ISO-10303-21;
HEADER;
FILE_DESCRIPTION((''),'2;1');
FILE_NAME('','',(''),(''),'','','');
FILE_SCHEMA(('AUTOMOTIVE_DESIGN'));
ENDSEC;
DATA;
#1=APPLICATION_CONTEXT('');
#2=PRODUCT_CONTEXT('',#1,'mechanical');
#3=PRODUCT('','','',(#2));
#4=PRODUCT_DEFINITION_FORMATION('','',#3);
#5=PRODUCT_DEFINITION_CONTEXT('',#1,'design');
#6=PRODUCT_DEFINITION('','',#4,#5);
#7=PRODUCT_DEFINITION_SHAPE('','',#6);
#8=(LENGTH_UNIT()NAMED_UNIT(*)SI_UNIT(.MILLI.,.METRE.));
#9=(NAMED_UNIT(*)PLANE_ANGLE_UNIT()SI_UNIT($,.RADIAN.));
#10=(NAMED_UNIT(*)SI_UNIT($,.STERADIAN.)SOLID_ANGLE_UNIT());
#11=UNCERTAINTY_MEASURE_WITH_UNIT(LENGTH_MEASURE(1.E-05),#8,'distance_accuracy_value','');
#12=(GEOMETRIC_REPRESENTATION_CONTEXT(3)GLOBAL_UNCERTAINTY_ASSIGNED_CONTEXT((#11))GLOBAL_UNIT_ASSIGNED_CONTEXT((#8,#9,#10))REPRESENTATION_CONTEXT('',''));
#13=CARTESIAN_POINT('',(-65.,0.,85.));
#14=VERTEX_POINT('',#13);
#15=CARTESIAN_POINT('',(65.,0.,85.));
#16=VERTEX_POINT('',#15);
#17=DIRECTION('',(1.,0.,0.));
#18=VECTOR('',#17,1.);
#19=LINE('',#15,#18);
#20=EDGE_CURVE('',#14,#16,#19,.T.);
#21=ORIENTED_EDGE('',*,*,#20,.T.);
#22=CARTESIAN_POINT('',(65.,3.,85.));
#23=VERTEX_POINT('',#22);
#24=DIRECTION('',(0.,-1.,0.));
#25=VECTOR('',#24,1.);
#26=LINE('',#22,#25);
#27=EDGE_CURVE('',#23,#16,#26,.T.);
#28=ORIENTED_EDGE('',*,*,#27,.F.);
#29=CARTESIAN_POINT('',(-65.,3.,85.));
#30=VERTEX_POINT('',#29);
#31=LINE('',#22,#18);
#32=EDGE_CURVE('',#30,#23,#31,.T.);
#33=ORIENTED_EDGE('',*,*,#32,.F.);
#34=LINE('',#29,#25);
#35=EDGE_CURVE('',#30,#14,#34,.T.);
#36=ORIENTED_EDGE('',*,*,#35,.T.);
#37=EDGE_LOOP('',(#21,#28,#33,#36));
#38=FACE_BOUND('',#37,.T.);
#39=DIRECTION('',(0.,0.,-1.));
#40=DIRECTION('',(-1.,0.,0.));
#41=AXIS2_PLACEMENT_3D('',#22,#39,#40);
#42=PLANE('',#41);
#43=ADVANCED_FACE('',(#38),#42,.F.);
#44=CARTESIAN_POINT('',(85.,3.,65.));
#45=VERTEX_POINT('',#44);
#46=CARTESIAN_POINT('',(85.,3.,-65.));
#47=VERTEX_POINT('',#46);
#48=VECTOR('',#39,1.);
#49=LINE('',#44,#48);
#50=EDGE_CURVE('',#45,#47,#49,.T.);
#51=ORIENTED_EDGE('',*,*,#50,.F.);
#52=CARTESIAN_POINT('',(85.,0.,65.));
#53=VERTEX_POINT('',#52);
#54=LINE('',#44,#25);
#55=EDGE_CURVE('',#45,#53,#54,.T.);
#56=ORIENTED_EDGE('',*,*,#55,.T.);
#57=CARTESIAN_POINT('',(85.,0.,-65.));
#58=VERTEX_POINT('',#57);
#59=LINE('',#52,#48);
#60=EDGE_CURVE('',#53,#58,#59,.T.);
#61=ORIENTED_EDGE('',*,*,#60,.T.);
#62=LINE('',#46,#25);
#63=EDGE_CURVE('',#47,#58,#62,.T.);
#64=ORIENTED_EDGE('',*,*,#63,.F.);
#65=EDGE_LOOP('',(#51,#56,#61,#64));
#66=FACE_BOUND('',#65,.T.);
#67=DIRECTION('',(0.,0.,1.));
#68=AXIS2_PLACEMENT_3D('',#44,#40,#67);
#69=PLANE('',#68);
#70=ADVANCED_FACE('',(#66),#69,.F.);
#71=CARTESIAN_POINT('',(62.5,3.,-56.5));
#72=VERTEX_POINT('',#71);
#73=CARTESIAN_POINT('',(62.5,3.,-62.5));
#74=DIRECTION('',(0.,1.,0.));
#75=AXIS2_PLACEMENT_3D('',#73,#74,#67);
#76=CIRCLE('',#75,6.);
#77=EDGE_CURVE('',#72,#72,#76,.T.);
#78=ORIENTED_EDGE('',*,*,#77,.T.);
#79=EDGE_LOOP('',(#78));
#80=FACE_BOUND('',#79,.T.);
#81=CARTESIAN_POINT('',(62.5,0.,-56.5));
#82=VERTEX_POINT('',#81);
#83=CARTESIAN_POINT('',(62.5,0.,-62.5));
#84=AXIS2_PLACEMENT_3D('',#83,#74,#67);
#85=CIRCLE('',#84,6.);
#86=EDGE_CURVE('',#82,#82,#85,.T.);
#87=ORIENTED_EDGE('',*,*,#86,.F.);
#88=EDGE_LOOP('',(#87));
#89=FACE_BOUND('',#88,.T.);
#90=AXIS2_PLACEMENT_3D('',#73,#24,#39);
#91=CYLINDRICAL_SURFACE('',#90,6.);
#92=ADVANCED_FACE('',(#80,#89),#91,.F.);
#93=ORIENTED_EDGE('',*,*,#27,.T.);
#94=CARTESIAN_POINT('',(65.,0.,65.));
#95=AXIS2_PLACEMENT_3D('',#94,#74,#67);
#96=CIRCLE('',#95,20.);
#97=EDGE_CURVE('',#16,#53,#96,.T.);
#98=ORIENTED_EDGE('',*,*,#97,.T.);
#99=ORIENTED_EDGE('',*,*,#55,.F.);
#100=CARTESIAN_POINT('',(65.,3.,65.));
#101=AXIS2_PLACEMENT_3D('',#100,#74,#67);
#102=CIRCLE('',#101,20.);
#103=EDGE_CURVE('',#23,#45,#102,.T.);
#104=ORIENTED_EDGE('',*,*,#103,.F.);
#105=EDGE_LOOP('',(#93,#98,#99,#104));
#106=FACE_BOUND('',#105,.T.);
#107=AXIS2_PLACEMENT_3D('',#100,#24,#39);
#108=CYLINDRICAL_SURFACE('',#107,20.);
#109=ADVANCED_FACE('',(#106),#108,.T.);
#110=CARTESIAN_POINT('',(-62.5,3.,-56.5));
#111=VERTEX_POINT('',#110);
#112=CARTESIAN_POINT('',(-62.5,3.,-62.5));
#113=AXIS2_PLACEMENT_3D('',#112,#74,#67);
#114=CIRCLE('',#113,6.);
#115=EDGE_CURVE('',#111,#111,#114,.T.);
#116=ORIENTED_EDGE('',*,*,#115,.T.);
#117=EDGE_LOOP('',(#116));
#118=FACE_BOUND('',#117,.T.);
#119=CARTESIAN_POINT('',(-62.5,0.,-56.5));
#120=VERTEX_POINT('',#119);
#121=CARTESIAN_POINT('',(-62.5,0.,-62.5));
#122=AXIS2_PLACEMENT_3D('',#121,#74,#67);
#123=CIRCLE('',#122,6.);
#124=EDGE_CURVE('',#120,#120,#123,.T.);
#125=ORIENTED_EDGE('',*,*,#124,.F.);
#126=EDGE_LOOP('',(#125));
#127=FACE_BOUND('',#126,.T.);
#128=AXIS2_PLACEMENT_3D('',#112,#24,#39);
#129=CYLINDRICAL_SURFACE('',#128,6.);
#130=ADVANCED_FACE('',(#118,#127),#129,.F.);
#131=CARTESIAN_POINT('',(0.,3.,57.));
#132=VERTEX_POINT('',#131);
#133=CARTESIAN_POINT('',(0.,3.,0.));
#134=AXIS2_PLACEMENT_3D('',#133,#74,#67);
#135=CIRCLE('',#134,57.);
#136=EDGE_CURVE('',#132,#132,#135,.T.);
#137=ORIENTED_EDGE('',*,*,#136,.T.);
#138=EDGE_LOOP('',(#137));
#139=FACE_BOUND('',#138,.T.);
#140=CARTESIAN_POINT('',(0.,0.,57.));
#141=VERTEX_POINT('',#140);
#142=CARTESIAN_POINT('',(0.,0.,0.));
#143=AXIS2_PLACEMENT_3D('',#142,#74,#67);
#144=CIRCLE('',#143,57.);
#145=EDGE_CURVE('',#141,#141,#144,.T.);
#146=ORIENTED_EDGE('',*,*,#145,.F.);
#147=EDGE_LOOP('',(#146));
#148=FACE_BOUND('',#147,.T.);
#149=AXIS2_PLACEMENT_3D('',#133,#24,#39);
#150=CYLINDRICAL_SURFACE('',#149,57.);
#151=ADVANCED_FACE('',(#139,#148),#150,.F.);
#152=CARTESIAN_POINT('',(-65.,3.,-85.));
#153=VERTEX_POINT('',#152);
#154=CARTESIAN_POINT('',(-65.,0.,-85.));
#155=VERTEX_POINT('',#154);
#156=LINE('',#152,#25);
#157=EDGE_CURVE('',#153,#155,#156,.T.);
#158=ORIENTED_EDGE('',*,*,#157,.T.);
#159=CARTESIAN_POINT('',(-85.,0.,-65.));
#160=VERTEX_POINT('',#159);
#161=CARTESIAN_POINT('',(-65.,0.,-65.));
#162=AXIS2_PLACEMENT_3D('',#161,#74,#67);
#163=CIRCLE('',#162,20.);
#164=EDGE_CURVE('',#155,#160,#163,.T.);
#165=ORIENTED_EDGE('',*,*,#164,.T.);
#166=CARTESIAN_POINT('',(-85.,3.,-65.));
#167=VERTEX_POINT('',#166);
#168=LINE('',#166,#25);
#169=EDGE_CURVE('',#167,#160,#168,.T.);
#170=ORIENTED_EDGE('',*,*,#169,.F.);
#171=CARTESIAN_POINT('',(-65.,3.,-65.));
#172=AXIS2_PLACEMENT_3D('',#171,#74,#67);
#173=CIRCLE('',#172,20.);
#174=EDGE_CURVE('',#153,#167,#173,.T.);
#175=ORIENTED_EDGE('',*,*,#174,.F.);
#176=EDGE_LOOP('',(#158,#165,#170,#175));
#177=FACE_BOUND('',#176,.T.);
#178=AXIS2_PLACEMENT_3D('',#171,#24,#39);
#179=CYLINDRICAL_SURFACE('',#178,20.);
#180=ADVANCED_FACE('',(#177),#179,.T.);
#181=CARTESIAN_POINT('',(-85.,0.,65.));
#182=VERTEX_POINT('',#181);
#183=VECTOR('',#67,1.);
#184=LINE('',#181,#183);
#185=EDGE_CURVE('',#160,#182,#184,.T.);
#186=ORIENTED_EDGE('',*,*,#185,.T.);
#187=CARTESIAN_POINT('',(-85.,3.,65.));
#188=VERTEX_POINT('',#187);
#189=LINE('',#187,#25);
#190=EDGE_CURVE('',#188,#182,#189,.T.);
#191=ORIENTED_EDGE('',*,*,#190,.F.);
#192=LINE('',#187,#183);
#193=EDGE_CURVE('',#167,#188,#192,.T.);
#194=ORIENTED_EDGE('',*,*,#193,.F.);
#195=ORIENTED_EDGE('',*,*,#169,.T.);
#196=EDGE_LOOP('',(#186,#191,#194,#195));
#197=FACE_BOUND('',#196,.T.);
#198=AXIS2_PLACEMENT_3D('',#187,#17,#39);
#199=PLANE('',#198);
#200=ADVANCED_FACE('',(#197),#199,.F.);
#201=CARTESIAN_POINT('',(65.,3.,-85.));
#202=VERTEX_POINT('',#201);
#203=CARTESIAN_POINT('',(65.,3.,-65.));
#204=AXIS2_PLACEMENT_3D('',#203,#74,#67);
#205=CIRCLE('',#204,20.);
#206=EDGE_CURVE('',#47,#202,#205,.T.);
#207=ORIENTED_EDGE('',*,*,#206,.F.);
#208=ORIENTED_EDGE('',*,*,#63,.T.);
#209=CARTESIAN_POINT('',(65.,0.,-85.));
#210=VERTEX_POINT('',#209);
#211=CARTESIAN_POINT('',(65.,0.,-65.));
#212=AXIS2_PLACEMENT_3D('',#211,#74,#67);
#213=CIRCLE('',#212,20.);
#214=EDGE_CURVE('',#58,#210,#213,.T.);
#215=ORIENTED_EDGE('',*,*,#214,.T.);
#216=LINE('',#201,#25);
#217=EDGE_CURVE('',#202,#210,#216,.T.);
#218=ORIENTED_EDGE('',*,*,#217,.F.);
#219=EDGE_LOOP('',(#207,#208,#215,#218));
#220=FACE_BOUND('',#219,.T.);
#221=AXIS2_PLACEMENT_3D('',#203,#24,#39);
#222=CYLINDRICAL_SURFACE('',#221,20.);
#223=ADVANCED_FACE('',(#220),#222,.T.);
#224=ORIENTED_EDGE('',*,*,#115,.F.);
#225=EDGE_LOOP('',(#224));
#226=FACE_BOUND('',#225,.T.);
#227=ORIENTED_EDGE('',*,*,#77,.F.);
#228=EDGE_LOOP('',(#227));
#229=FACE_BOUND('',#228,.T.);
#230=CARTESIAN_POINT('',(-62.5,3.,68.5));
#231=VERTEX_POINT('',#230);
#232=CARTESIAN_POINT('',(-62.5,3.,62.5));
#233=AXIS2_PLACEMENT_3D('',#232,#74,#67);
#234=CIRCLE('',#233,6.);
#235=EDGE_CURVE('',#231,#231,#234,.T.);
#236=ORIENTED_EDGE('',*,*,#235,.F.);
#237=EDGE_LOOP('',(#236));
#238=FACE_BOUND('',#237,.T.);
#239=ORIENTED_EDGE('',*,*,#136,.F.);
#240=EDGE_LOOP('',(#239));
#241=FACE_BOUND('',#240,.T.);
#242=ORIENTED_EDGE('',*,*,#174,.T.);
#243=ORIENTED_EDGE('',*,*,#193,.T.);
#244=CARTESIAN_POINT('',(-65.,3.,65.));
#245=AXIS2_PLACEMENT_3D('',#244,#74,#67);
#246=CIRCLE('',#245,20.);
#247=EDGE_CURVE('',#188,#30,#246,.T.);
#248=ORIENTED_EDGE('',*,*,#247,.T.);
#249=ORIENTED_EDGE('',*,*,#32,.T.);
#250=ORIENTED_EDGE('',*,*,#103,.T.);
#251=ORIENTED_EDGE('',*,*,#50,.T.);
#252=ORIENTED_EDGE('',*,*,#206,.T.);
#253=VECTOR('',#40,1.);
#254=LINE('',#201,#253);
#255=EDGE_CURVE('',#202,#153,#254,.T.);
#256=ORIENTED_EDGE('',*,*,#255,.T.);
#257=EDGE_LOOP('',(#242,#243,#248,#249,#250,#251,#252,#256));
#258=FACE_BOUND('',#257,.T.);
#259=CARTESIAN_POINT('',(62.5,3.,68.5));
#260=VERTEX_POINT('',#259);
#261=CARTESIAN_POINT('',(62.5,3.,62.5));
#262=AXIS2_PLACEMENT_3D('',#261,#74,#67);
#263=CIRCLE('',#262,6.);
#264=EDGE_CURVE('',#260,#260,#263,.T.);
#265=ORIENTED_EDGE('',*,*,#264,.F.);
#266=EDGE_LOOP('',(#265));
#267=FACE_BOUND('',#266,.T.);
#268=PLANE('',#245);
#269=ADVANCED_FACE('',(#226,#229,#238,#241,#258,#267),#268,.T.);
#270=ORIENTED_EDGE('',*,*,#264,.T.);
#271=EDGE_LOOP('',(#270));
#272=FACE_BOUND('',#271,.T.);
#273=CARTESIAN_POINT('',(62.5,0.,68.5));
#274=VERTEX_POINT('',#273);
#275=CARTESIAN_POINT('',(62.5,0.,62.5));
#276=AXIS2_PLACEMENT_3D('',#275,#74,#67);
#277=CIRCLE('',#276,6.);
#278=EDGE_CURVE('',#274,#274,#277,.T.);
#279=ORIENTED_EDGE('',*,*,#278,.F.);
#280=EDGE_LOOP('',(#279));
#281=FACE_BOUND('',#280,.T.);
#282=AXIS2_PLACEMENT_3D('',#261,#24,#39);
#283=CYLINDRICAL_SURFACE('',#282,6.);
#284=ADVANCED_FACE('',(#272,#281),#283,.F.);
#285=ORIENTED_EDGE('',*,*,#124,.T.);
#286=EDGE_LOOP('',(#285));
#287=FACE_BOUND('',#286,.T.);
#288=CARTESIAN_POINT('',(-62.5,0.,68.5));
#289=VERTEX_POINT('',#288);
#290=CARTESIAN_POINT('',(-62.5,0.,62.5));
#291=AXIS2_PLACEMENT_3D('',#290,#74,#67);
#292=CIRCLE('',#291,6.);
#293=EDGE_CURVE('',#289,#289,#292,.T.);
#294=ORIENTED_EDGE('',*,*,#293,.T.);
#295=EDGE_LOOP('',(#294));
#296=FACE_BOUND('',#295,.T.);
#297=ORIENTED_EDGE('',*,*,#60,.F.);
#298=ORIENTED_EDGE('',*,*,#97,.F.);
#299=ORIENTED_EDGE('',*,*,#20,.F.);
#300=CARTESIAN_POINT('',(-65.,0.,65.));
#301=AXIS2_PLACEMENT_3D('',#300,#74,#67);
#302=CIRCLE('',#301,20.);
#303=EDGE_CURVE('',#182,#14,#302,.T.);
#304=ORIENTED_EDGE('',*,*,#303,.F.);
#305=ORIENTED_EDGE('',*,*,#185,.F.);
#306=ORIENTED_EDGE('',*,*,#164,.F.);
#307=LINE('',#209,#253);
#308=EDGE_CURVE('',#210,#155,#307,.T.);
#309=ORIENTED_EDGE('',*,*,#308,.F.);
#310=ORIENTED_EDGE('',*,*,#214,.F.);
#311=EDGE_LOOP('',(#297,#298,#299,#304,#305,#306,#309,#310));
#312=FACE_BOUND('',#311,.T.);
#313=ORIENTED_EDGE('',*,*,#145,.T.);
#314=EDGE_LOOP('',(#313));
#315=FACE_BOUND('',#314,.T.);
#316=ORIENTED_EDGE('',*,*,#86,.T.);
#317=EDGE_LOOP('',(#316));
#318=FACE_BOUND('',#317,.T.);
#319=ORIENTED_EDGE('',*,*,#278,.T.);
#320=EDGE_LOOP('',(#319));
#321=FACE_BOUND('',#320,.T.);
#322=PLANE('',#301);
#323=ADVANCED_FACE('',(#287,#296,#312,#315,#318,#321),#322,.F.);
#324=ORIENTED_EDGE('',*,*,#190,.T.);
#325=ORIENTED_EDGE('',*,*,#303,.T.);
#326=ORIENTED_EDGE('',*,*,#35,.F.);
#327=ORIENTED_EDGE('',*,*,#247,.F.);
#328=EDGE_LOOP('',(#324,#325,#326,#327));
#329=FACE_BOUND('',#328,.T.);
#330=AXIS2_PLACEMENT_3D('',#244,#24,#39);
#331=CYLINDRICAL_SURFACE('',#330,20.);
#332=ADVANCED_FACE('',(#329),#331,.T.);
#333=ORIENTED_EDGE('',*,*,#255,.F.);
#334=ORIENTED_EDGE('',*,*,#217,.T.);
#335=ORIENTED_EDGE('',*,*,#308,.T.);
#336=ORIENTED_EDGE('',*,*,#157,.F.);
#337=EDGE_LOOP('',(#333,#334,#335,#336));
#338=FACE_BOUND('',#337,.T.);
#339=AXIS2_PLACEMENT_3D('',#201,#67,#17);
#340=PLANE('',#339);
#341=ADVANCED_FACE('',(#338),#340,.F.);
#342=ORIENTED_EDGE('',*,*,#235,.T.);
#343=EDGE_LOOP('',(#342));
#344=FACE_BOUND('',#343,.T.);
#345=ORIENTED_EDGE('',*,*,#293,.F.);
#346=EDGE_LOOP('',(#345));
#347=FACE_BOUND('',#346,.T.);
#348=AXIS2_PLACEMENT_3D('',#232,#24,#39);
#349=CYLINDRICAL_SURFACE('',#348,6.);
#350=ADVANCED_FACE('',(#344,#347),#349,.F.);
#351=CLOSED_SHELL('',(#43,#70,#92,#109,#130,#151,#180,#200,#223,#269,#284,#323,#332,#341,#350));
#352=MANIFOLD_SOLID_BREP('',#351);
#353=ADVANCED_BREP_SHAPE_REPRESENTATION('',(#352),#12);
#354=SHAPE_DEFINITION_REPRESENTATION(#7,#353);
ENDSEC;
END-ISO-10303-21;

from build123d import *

# Parameters (mm, degrees)
SKETCH_1_R      = 6
SKETCH_1_R_2    = 57
EXTRUDE_1_DEPTH = 3


with BuildPart() as part:
    # Эскиз1 → Бобышка-Вытянуть1 (new body)
    with BuildSketch(Plane(origin=(0, 0, 0), x_dir=(1, 0, 0), z_dir=(0, 1, 0))):
        with BuildLine():
            Line((65, -85), (-65, -85))
            ThreePointArc((-65, -85), (-79.142135624, -79.142135624), (-85, -65))
            Line((-85, -65), (-85, 65))
            ThreePointArc((-85, 65), (-79.142135624, 79.142135624), (-65, 85))
            Line((-65, 85), (65, 85))
            ThreePointArc((65, 85), (79.142135624, 79.142135624), (85, 65))
            Line((85, 65), (85, -65))
            ThreePointArc((85, -65), (79.142135624, -79.142135624), (65, -85))
        make_face()
        with Locations(Location((-62.5, -62.5, 0), (0, 0, 270))):
            Circle(SKETCH_1_R, mode=Mode.SUBTRACT)
        with Locations(Location((-62.5, 62.5, 0), (0, 0, 270))):
            Circle(SKETCH_1_R, mode=Mode.SUBTRACT)
        with Locations(Location((62.5, 62.5, 0), (0, 0, 270))):
            Circle(SKETCH_1_R, mode=Mode.SUBTRACT)
        with Locations(Location((62.5, -62.5, 0), (0, 0, 270))):
            Circle(SKETCH_1_R, mode=Mode.SUBTRACT)
        with Locations(Location((0, 0, 0), (0, 0, 270))):
            Circle(SKETCH_1_R_2, mode=Mode.SUBTRACT)
    extrude(amount=EXTRUDE_1_DEPTH)


solid = part.part
